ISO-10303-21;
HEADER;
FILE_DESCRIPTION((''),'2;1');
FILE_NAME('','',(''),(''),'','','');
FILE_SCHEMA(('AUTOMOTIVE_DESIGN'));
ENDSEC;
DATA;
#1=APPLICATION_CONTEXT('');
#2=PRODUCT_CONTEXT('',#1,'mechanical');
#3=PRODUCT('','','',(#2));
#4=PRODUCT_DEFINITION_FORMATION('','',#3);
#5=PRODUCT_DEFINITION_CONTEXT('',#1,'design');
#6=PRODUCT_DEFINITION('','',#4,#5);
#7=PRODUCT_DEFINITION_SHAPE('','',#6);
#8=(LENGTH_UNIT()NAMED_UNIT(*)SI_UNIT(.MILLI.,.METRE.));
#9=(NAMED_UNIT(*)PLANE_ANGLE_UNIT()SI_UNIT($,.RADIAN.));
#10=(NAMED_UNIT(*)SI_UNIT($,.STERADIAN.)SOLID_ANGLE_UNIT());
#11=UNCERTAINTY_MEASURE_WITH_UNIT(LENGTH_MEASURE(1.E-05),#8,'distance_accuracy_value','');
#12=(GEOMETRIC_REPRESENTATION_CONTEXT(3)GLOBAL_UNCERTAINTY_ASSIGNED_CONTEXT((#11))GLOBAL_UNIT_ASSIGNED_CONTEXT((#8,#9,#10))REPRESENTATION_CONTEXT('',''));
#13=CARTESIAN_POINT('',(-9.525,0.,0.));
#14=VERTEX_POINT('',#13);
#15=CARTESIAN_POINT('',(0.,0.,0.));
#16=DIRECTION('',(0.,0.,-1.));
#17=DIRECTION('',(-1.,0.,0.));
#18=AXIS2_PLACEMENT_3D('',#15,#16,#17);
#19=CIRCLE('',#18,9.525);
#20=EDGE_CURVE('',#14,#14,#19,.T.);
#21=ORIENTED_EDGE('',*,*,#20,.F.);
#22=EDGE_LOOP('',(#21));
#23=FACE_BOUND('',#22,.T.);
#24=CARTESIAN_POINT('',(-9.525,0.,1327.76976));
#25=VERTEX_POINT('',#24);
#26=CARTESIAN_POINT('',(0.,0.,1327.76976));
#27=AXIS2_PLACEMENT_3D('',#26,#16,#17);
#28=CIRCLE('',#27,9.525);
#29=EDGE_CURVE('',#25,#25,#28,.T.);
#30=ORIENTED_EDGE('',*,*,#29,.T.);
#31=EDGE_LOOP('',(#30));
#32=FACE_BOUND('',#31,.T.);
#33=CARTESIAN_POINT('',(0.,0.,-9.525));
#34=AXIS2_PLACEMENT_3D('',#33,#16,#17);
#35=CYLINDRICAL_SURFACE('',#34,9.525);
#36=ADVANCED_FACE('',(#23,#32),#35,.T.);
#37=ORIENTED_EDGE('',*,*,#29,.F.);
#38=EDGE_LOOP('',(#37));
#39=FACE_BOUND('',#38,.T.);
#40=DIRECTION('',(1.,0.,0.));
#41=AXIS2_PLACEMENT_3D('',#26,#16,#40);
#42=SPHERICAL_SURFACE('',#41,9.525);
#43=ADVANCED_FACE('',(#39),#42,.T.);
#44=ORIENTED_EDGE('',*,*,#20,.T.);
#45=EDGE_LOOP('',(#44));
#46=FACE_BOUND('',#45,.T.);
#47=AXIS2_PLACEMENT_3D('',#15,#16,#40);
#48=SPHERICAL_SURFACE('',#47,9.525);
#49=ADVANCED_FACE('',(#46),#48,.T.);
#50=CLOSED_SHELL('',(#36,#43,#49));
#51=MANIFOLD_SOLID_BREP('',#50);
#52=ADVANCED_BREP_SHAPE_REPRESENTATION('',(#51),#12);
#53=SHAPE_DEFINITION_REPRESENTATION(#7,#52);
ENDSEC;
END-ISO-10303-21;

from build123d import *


with BuildPart() as part:
    # Sketch1 → Revolve1 (revolve)
    with BuildSketch(Plane(origin=(0, 0, 0), x_dir=(1, 0, 0), z_dir=(0, 1, 0))):
        with BuildLine():
            Line((9.525, 0), (9.525, -1327.76976))
            ThreePointArc((9.525, -1327.76976), (6.735192091, -1334.504952091), (0, -1337.29476))
            Line((0, -1337.29476), (0, 9.525))
            ThreePointArc((0, 9.525), (6.735192091, 6.735192091), (9.525, 0))
        make_face()
    revolve(axis=Axis((0, 0, -9.525), (0, 0, 1)))


solid = part.part
